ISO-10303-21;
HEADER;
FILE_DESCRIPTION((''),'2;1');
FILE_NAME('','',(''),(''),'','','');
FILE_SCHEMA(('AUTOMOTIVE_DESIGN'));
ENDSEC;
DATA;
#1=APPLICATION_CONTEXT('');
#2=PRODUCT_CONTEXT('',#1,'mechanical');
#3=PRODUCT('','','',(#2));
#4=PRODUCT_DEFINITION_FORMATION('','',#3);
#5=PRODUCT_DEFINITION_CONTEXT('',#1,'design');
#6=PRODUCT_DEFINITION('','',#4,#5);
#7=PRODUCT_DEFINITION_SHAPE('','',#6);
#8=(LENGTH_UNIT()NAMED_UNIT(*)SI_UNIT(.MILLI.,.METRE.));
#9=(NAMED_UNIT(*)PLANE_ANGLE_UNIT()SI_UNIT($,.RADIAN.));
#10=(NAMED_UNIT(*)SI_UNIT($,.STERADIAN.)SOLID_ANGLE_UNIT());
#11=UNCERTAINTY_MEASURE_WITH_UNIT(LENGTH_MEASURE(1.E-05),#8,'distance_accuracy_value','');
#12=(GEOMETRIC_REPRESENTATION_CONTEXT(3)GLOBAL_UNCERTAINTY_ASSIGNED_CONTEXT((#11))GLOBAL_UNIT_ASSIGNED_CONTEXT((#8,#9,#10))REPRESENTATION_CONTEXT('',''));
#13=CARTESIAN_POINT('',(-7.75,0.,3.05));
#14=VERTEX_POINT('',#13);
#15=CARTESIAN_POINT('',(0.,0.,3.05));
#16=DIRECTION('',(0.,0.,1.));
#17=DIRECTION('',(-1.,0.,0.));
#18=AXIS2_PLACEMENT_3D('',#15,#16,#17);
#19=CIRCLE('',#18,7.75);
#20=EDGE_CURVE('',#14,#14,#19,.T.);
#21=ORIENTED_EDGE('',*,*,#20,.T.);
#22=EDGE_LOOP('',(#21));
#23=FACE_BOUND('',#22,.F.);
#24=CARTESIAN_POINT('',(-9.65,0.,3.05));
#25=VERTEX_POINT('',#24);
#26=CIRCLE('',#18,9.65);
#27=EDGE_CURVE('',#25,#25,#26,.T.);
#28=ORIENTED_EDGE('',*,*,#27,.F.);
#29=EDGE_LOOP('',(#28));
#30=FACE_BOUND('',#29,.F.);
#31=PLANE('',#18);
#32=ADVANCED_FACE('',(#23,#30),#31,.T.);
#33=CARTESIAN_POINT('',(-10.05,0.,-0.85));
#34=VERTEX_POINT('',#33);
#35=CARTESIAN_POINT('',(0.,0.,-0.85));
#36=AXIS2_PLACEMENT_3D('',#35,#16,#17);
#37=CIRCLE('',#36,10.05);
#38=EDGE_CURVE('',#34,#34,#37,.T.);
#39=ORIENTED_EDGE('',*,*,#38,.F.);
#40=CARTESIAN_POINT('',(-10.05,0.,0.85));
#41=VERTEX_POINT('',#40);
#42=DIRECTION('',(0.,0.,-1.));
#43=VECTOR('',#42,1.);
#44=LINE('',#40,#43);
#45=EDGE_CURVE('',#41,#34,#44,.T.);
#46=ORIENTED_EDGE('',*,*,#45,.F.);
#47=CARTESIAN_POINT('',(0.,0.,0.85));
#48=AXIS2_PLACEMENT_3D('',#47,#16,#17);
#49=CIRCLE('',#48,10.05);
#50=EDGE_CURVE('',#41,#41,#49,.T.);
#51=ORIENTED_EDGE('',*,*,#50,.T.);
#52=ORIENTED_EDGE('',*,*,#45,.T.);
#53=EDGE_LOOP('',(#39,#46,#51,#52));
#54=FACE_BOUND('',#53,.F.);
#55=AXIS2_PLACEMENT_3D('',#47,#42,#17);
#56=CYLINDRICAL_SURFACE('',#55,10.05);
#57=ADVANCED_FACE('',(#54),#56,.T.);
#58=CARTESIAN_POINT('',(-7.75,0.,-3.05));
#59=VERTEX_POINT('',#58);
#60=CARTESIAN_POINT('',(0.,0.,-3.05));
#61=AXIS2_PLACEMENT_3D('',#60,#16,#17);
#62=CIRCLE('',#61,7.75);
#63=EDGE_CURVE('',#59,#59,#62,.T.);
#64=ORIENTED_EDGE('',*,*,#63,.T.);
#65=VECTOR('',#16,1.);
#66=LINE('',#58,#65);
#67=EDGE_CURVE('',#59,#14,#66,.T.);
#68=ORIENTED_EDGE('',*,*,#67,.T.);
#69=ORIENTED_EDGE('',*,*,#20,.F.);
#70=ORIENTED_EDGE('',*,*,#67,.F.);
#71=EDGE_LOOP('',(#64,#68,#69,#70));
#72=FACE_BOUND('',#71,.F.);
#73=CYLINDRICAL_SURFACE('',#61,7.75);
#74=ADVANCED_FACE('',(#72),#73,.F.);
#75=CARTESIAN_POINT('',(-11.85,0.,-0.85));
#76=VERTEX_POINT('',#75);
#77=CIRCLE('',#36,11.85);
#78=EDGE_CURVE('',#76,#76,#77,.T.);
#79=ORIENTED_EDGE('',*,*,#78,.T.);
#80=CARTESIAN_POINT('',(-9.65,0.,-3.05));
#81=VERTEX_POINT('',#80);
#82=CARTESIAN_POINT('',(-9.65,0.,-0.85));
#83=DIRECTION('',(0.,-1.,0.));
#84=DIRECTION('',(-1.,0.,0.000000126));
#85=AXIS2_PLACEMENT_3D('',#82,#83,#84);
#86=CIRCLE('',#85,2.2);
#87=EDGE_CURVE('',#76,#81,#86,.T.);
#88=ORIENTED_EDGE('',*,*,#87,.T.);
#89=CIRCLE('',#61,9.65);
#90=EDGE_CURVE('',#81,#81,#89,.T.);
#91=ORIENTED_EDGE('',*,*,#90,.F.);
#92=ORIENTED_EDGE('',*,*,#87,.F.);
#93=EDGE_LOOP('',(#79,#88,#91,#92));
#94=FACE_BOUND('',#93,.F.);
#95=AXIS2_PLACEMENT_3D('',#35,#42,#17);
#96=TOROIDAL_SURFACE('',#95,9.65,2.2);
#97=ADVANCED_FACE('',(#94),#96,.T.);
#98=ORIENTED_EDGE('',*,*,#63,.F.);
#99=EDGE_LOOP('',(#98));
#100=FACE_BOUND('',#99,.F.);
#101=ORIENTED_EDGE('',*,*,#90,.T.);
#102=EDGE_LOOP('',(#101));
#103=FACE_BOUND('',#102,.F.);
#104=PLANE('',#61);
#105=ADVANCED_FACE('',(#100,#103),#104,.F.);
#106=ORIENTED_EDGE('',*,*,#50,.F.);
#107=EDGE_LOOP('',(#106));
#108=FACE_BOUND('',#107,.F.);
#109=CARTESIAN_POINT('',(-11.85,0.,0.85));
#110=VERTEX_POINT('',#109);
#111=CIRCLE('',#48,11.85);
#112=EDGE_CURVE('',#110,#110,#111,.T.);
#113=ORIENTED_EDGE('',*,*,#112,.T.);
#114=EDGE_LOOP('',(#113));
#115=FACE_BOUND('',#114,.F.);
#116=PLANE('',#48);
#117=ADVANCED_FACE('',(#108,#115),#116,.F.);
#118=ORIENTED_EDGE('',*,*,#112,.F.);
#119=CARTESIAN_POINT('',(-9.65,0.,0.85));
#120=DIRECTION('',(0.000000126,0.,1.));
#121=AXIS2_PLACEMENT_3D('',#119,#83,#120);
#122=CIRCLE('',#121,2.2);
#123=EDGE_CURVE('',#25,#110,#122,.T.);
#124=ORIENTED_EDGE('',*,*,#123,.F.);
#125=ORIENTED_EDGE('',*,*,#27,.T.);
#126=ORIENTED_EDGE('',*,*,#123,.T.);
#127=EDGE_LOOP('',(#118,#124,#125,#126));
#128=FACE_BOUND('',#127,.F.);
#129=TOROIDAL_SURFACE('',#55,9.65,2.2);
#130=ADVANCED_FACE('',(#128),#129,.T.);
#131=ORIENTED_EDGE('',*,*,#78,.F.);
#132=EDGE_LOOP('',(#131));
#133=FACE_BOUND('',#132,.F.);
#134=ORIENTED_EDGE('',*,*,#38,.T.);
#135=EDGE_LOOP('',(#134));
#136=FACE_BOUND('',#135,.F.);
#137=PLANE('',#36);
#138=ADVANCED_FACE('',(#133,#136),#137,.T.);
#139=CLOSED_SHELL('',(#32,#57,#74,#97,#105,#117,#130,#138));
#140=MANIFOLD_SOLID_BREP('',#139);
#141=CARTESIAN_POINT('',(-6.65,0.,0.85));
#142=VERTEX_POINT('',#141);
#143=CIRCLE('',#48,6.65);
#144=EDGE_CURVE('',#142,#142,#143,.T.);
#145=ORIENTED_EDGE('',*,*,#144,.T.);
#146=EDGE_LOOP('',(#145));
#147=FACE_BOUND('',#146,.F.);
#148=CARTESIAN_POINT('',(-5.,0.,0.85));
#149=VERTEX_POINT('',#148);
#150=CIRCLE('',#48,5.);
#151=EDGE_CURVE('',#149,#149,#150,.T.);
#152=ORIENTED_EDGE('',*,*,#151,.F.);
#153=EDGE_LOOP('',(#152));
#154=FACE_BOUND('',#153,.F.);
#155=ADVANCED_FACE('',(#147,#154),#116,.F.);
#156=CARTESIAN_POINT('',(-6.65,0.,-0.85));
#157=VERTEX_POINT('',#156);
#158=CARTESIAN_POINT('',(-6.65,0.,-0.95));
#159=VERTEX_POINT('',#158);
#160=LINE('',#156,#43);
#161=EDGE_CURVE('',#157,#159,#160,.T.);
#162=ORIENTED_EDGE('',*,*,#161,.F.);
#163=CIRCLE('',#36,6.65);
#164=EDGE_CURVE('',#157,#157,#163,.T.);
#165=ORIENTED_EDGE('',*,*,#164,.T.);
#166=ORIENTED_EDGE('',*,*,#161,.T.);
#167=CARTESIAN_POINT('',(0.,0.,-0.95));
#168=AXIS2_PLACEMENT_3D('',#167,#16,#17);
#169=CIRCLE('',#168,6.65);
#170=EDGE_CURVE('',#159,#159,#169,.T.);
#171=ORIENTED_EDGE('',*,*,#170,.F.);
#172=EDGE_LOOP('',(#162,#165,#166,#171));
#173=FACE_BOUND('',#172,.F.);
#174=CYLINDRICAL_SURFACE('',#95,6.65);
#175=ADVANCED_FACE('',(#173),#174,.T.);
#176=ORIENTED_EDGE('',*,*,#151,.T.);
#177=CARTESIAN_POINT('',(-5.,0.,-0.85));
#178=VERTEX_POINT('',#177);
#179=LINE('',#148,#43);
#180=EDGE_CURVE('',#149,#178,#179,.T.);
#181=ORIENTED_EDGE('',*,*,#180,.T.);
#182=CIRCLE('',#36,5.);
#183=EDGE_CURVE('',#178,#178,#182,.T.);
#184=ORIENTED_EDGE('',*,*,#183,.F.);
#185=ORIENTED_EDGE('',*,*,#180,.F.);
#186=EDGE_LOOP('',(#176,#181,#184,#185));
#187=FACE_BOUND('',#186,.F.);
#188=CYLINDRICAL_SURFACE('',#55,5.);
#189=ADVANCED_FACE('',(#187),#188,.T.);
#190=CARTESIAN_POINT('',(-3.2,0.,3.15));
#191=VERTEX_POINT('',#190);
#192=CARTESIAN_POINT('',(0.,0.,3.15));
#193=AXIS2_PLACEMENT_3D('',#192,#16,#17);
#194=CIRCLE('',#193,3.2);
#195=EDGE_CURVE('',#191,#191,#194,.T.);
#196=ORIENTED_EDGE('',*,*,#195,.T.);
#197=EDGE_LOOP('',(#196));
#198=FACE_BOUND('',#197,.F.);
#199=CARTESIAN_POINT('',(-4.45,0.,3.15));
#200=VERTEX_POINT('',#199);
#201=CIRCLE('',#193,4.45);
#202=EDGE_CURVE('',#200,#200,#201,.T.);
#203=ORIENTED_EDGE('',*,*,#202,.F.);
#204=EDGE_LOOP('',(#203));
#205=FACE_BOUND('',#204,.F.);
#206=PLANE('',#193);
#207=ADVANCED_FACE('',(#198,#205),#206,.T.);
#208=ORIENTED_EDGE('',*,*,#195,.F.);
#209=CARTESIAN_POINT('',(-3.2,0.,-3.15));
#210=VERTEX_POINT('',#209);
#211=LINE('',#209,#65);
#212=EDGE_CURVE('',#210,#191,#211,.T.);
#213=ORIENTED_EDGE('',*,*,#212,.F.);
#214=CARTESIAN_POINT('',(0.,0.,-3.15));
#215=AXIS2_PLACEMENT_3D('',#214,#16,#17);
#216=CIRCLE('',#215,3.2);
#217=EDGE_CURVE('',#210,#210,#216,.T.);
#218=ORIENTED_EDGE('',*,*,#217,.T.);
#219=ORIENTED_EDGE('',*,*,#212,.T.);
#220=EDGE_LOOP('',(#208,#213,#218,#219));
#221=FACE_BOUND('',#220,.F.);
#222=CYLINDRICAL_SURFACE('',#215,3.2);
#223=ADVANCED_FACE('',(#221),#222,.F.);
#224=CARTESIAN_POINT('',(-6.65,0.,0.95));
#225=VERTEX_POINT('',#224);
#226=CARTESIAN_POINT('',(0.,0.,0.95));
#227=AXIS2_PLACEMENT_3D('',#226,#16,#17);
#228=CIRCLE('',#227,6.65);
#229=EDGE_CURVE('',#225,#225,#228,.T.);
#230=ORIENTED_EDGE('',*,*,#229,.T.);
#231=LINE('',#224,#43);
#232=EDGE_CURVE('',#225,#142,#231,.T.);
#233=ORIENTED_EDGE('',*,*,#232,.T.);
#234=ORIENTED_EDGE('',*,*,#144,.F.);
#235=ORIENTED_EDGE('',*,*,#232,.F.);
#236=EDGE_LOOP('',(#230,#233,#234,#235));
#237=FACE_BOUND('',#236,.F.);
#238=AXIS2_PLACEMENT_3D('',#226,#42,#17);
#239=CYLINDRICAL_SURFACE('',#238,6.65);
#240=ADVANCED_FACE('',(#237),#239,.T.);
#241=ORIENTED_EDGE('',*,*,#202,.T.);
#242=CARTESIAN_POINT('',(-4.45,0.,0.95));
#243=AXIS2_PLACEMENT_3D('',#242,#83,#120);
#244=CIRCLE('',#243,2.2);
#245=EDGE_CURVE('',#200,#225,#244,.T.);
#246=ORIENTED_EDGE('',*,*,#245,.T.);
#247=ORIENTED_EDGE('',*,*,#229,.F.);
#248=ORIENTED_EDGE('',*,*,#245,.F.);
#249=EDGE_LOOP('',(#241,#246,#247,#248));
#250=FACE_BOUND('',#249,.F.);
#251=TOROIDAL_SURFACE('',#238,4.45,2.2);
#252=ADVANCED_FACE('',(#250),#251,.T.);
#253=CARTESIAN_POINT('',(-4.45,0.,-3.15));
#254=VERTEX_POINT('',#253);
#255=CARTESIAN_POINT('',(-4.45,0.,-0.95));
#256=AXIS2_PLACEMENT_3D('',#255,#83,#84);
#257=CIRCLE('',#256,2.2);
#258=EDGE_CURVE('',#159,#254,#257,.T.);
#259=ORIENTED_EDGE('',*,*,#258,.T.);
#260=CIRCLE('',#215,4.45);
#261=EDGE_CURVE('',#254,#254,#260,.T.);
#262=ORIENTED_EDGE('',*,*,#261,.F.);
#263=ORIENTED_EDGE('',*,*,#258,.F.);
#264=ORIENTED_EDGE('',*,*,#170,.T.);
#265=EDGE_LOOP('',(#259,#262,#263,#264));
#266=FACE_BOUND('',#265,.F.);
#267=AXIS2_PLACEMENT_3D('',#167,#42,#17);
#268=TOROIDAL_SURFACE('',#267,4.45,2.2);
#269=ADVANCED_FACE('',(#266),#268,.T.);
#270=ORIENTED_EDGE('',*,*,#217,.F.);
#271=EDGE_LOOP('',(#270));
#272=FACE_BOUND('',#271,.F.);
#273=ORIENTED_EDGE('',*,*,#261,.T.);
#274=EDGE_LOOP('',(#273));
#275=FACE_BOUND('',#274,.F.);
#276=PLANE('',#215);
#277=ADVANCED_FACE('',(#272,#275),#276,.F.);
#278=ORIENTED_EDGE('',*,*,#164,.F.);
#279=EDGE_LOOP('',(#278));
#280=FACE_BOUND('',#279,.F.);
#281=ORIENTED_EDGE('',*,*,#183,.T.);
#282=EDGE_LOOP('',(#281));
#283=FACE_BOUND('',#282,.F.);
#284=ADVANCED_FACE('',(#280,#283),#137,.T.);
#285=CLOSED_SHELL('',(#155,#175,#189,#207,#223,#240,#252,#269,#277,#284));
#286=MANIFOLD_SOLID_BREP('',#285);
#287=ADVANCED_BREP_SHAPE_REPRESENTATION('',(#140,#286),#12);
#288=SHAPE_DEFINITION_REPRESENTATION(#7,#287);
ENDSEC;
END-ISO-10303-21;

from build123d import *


with BuildPart() as f1:
    # F0 (on Front) → F1 (revolve)
    with BuildSketch(Plane.XZ):
        with BuildLine():
            Line((-7.75, -3.05), (-7.75, 3.05))
            Line((-7.75, 3.05), (-9.65, 3.05))
            ThreePointArc((-9.65, 3.05), (-11.205635, 2.405635), (-11.85, 0.85))
            Line((-11.85, 0.85), (-10.05, 0.85))
            Line((-10.05, 0.85), (-10.05, -0.85))
            Line((-10.05, -0.85), (-11.85, -0.85))
            ThreePointArc((-11.85, -0.85), (-11.205635, -2.405635), (-9.65, -3.05))
            Line((-9.65, -3.05), (-7.75, -3.05))
        make_face()
    revolve(axis=Axis((0, 0, 1.525), (0, 0, 1)))


with BuildPart() as f3:
    # F2 (on Front) → F3 (revolve)
    with BuildSketch(Plane.XZ):
        with BuildLine():
            Line((-3.2, -3.15), (-3.2, 3.15))
            Line((-3.2, 3.15), (-4.45, 3.15))
            ThreePointArc((-4.45, 3.15), (-6.005635, 2.505635), (-6.65, 0.95))
            Line((-6.65, 0.95), (-6.65, 0.85))
            Line((-6.65, 0.85), (-5, 0.85))
            Line((-5, 0.85), (-5, -0.85))
            Line((-5, -0.85), (-6.65, -0.85))
            Line((-6.65, -0.85), (-6.65, -0.95))
            ThreePointArc((-6.65, -0.95), (-6.005635, -2.505635), (-4.45, -3.15))
            Line((-4.45, -3.15), (-3.2, -3.15))
        make_face()
    revolve(axis=Axis((0, 0, 1.575), (0, 0, 1)))


solid = Compound([f1.part, f3.part])
